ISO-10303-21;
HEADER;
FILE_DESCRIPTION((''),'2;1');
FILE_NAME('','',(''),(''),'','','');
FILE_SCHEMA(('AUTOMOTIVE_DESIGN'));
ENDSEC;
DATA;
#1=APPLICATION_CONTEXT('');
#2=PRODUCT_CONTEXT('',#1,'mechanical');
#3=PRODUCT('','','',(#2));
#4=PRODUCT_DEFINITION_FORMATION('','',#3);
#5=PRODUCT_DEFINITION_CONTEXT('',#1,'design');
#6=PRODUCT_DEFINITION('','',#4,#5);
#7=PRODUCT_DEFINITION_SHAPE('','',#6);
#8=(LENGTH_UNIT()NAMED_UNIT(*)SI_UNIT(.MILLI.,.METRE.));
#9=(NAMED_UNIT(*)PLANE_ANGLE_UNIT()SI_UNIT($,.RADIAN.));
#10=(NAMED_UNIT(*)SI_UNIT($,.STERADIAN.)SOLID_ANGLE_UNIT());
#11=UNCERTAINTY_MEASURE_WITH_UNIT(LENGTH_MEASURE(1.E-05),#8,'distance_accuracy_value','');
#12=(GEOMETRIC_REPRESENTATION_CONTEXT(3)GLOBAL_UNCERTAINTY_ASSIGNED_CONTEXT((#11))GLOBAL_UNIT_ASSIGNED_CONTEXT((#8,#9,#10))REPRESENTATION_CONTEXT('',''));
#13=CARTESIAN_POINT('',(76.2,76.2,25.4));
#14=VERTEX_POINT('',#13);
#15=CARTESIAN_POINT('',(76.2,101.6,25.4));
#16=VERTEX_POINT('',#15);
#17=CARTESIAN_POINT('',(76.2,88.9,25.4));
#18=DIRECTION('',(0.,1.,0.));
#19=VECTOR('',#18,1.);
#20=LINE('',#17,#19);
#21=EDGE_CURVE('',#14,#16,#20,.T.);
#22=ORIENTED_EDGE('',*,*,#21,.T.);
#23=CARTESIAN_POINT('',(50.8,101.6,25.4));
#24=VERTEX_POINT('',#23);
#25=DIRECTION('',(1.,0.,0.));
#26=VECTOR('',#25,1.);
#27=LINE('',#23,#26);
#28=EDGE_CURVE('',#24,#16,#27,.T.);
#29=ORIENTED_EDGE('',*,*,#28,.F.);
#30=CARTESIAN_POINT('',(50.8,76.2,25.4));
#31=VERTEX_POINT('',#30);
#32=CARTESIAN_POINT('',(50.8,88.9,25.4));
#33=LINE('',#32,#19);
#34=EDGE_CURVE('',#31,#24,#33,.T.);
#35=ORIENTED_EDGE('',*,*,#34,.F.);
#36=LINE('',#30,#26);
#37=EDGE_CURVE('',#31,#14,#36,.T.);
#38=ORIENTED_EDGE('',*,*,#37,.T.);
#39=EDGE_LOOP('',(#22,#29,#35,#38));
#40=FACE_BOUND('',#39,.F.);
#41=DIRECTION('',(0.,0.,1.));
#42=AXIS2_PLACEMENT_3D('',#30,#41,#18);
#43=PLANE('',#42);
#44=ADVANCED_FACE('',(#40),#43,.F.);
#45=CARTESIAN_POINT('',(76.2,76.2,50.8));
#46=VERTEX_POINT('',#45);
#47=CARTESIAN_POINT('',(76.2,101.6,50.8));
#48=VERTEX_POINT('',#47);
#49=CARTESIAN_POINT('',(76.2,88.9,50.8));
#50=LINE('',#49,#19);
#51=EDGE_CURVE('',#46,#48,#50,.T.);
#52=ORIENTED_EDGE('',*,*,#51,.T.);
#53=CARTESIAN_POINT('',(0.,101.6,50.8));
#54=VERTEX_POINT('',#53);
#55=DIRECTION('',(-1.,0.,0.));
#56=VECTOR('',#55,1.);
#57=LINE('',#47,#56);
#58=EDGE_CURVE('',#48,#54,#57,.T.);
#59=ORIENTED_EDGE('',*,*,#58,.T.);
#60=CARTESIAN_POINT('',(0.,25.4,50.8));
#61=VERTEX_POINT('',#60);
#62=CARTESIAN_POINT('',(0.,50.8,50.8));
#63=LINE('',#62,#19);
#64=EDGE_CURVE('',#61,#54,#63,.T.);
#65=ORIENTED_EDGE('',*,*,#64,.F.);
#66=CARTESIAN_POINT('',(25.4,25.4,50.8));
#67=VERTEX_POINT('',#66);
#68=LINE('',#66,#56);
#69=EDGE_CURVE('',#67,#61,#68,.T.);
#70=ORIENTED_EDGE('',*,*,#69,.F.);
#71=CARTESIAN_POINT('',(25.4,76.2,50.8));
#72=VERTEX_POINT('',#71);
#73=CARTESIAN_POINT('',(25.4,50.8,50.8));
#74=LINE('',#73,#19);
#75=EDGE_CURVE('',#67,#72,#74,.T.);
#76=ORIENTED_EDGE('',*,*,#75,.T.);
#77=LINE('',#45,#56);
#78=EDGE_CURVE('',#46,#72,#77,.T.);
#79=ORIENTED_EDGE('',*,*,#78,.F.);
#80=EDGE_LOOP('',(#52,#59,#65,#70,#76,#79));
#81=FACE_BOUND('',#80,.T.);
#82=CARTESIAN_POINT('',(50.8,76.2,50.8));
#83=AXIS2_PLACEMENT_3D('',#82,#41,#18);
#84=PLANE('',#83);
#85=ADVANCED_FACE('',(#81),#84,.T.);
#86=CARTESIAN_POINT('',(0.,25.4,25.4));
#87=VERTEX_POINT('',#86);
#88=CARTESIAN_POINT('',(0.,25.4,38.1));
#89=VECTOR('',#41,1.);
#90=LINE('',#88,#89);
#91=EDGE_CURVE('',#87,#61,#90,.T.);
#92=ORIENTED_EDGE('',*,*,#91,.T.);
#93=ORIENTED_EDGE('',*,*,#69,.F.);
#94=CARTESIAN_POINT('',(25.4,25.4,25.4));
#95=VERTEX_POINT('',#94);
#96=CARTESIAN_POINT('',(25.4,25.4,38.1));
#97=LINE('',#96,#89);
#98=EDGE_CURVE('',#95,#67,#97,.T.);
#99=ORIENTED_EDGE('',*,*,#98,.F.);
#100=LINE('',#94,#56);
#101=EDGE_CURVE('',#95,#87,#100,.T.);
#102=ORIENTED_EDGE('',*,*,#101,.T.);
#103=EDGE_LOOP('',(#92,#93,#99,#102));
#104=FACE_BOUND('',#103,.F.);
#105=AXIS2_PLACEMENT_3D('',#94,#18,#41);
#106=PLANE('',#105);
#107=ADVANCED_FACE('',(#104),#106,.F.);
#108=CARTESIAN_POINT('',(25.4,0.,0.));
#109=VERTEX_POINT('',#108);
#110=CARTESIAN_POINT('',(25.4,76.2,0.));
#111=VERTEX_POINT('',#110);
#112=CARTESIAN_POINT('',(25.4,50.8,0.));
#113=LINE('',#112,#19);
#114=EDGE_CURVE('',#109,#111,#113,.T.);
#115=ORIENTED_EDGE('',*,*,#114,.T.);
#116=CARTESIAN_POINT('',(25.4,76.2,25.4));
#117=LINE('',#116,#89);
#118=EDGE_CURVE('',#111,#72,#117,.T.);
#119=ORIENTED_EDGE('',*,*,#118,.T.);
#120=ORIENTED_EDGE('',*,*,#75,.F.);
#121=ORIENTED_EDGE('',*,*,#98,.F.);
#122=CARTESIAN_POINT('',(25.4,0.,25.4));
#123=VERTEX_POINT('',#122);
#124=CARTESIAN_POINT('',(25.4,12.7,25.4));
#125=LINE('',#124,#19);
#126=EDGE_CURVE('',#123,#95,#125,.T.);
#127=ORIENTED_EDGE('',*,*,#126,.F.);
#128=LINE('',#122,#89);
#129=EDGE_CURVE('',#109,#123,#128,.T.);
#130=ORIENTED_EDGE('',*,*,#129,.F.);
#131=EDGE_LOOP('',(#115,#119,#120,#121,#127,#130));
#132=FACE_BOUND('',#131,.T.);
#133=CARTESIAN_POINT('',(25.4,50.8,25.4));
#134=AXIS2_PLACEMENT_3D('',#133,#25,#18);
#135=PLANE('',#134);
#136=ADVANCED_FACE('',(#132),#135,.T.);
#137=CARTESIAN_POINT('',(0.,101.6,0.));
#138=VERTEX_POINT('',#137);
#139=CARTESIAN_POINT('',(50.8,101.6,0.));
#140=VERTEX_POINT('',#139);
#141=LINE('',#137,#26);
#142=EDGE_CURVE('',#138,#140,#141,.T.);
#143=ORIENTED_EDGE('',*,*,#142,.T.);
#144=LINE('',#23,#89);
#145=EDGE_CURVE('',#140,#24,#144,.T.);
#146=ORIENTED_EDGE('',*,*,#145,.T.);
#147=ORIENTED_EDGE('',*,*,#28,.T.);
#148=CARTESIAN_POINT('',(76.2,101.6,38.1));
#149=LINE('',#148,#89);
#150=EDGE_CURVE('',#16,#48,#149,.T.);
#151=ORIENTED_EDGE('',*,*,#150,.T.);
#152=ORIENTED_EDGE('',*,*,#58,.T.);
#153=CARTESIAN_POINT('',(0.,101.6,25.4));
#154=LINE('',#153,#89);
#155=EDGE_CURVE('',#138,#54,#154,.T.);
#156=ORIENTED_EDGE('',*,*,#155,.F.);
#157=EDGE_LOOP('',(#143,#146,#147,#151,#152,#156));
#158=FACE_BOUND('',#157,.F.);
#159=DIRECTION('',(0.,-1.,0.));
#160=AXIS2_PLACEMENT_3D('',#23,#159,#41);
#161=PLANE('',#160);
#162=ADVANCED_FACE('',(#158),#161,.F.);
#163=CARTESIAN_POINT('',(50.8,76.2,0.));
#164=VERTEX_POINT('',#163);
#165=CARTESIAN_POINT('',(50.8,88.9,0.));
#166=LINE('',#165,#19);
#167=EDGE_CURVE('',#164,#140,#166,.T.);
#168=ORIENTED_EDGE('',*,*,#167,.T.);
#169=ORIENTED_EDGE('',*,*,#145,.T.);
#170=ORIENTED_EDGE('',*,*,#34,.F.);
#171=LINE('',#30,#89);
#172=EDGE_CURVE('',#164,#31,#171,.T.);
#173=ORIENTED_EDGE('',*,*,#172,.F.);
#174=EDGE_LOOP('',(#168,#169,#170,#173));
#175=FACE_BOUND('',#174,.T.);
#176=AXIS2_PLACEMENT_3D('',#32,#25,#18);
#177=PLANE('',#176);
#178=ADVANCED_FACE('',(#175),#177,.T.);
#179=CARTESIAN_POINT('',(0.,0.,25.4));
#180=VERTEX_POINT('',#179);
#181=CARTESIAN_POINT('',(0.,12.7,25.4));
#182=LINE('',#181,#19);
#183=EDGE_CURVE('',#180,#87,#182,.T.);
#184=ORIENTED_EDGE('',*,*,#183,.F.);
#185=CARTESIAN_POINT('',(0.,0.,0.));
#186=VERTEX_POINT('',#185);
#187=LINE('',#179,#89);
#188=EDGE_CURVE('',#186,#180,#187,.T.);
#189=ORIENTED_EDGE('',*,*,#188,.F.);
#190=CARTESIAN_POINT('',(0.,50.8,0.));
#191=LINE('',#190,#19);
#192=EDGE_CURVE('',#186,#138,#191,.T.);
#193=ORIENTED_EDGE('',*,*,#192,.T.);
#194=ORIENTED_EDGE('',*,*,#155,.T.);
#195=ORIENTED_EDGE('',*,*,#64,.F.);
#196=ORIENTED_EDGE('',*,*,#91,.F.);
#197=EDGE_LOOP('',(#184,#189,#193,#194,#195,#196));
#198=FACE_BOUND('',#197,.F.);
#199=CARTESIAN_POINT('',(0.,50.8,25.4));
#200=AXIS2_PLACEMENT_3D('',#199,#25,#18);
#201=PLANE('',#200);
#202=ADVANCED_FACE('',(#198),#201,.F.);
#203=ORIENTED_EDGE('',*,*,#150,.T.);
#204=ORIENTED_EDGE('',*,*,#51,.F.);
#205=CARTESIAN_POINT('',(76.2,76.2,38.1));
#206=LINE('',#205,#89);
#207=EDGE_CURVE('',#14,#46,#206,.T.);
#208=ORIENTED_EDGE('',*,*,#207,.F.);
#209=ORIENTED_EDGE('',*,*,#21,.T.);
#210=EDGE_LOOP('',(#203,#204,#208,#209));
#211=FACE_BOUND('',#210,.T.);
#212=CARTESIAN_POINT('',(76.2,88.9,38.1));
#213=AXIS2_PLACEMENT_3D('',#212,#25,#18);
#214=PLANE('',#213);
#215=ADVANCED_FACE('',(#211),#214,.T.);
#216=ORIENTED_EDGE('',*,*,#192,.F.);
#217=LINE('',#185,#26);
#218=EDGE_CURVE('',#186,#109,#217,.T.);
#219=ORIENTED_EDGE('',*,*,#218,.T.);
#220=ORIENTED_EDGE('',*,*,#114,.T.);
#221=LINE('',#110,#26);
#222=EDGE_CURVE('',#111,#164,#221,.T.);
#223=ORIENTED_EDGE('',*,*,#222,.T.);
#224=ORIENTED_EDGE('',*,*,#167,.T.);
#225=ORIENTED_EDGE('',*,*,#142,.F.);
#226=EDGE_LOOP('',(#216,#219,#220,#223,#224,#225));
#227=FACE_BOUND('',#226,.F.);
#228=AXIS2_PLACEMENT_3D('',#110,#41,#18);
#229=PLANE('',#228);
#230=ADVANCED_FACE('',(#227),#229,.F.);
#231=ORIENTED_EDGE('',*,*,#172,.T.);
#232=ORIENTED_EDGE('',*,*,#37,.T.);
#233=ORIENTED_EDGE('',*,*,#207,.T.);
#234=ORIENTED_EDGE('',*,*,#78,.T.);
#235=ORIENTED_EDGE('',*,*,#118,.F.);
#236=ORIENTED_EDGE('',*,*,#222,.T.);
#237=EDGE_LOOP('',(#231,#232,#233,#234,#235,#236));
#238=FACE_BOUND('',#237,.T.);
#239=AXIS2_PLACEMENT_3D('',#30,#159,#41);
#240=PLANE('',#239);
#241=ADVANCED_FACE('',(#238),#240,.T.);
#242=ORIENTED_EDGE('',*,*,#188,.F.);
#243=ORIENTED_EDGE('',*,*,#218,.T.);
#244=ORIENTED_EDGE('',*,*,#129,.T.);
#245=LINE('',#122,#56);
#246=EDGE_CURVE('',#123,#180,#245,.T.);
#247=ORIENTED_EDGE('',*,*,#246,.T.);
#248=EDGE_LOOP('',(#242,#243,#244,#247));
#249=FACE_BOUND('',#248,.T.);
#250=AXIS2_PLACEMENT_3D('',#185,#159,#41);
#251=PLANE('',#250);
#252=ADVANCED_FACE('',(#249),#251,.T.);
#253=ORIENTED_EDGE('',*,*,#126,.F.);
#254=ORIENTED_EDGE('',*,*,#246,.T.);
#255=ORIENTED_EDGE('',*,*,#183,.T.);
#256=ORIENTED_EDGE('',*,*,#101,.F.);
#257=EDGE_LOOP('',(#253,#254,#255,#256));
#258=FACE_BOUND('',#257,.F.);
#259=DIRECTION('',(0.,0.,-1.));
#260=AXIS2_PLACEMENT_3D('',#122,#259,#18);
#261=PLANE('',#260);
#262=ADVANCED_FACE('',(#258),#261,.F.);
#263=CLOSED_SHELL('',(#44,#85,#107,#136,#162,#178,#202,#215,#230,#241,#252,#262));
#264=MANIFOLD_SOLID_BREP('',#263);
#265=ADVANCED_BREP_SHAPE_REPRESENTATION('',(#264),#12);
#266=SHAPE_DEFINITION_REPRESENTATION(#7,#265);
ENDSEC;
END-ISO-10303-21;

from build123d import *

# Parameters (mm, degrees)
F0_W     = 101.6
F0_H     = 50.8
F1_DEPTH = 25.4
F2_W     = 25.4
F2_H     = 25.4
F3_DEPTH = 25.4
F4_W     = 25.4
F4_H     = 50.8
F5_DEPTH = 25.4
F6_W     = 25.4
F6_H     = 25.4
F7_DEPTH = 25.4


with BuildPart() as f1:
    # F0 (on Right) → F1 (new body)
    with BuildSketch(Plane.YZ):
        with Locations((50.8, 25.4)):
            Rectangle(F0_W, F0_H)
    extrude(amount=F1_DEPTH)

    # F2 (on face) → F3 (cut)
    with BuildSketch(Plane.YZ.offset(25.4)):
        with Locations((12.7, 38.1)):
            Rectangle(F2_W, F2_H)
    extrude(amount=-F3_DEPTH, mode=Mode.SUBTRACT)

    # F4 (on face) → F5 (join)
    with BuildSketch(Plane.YZ.offset(25.4)):
        with Locations((88.9, 25.4)):
            Rectangle(F4_W, F4_H)
    extrude(amount=F5_DEPTH)

    # F6 (on face) → F7 (join)
    with BuildSketch(Plane.YZ.offset(50.8)):
        with Locations((88.9, 38.1)):
            Rectangle(F6_W, F6_H)
    extrude(amount=F7_DEPTH)


solid = f1.part
